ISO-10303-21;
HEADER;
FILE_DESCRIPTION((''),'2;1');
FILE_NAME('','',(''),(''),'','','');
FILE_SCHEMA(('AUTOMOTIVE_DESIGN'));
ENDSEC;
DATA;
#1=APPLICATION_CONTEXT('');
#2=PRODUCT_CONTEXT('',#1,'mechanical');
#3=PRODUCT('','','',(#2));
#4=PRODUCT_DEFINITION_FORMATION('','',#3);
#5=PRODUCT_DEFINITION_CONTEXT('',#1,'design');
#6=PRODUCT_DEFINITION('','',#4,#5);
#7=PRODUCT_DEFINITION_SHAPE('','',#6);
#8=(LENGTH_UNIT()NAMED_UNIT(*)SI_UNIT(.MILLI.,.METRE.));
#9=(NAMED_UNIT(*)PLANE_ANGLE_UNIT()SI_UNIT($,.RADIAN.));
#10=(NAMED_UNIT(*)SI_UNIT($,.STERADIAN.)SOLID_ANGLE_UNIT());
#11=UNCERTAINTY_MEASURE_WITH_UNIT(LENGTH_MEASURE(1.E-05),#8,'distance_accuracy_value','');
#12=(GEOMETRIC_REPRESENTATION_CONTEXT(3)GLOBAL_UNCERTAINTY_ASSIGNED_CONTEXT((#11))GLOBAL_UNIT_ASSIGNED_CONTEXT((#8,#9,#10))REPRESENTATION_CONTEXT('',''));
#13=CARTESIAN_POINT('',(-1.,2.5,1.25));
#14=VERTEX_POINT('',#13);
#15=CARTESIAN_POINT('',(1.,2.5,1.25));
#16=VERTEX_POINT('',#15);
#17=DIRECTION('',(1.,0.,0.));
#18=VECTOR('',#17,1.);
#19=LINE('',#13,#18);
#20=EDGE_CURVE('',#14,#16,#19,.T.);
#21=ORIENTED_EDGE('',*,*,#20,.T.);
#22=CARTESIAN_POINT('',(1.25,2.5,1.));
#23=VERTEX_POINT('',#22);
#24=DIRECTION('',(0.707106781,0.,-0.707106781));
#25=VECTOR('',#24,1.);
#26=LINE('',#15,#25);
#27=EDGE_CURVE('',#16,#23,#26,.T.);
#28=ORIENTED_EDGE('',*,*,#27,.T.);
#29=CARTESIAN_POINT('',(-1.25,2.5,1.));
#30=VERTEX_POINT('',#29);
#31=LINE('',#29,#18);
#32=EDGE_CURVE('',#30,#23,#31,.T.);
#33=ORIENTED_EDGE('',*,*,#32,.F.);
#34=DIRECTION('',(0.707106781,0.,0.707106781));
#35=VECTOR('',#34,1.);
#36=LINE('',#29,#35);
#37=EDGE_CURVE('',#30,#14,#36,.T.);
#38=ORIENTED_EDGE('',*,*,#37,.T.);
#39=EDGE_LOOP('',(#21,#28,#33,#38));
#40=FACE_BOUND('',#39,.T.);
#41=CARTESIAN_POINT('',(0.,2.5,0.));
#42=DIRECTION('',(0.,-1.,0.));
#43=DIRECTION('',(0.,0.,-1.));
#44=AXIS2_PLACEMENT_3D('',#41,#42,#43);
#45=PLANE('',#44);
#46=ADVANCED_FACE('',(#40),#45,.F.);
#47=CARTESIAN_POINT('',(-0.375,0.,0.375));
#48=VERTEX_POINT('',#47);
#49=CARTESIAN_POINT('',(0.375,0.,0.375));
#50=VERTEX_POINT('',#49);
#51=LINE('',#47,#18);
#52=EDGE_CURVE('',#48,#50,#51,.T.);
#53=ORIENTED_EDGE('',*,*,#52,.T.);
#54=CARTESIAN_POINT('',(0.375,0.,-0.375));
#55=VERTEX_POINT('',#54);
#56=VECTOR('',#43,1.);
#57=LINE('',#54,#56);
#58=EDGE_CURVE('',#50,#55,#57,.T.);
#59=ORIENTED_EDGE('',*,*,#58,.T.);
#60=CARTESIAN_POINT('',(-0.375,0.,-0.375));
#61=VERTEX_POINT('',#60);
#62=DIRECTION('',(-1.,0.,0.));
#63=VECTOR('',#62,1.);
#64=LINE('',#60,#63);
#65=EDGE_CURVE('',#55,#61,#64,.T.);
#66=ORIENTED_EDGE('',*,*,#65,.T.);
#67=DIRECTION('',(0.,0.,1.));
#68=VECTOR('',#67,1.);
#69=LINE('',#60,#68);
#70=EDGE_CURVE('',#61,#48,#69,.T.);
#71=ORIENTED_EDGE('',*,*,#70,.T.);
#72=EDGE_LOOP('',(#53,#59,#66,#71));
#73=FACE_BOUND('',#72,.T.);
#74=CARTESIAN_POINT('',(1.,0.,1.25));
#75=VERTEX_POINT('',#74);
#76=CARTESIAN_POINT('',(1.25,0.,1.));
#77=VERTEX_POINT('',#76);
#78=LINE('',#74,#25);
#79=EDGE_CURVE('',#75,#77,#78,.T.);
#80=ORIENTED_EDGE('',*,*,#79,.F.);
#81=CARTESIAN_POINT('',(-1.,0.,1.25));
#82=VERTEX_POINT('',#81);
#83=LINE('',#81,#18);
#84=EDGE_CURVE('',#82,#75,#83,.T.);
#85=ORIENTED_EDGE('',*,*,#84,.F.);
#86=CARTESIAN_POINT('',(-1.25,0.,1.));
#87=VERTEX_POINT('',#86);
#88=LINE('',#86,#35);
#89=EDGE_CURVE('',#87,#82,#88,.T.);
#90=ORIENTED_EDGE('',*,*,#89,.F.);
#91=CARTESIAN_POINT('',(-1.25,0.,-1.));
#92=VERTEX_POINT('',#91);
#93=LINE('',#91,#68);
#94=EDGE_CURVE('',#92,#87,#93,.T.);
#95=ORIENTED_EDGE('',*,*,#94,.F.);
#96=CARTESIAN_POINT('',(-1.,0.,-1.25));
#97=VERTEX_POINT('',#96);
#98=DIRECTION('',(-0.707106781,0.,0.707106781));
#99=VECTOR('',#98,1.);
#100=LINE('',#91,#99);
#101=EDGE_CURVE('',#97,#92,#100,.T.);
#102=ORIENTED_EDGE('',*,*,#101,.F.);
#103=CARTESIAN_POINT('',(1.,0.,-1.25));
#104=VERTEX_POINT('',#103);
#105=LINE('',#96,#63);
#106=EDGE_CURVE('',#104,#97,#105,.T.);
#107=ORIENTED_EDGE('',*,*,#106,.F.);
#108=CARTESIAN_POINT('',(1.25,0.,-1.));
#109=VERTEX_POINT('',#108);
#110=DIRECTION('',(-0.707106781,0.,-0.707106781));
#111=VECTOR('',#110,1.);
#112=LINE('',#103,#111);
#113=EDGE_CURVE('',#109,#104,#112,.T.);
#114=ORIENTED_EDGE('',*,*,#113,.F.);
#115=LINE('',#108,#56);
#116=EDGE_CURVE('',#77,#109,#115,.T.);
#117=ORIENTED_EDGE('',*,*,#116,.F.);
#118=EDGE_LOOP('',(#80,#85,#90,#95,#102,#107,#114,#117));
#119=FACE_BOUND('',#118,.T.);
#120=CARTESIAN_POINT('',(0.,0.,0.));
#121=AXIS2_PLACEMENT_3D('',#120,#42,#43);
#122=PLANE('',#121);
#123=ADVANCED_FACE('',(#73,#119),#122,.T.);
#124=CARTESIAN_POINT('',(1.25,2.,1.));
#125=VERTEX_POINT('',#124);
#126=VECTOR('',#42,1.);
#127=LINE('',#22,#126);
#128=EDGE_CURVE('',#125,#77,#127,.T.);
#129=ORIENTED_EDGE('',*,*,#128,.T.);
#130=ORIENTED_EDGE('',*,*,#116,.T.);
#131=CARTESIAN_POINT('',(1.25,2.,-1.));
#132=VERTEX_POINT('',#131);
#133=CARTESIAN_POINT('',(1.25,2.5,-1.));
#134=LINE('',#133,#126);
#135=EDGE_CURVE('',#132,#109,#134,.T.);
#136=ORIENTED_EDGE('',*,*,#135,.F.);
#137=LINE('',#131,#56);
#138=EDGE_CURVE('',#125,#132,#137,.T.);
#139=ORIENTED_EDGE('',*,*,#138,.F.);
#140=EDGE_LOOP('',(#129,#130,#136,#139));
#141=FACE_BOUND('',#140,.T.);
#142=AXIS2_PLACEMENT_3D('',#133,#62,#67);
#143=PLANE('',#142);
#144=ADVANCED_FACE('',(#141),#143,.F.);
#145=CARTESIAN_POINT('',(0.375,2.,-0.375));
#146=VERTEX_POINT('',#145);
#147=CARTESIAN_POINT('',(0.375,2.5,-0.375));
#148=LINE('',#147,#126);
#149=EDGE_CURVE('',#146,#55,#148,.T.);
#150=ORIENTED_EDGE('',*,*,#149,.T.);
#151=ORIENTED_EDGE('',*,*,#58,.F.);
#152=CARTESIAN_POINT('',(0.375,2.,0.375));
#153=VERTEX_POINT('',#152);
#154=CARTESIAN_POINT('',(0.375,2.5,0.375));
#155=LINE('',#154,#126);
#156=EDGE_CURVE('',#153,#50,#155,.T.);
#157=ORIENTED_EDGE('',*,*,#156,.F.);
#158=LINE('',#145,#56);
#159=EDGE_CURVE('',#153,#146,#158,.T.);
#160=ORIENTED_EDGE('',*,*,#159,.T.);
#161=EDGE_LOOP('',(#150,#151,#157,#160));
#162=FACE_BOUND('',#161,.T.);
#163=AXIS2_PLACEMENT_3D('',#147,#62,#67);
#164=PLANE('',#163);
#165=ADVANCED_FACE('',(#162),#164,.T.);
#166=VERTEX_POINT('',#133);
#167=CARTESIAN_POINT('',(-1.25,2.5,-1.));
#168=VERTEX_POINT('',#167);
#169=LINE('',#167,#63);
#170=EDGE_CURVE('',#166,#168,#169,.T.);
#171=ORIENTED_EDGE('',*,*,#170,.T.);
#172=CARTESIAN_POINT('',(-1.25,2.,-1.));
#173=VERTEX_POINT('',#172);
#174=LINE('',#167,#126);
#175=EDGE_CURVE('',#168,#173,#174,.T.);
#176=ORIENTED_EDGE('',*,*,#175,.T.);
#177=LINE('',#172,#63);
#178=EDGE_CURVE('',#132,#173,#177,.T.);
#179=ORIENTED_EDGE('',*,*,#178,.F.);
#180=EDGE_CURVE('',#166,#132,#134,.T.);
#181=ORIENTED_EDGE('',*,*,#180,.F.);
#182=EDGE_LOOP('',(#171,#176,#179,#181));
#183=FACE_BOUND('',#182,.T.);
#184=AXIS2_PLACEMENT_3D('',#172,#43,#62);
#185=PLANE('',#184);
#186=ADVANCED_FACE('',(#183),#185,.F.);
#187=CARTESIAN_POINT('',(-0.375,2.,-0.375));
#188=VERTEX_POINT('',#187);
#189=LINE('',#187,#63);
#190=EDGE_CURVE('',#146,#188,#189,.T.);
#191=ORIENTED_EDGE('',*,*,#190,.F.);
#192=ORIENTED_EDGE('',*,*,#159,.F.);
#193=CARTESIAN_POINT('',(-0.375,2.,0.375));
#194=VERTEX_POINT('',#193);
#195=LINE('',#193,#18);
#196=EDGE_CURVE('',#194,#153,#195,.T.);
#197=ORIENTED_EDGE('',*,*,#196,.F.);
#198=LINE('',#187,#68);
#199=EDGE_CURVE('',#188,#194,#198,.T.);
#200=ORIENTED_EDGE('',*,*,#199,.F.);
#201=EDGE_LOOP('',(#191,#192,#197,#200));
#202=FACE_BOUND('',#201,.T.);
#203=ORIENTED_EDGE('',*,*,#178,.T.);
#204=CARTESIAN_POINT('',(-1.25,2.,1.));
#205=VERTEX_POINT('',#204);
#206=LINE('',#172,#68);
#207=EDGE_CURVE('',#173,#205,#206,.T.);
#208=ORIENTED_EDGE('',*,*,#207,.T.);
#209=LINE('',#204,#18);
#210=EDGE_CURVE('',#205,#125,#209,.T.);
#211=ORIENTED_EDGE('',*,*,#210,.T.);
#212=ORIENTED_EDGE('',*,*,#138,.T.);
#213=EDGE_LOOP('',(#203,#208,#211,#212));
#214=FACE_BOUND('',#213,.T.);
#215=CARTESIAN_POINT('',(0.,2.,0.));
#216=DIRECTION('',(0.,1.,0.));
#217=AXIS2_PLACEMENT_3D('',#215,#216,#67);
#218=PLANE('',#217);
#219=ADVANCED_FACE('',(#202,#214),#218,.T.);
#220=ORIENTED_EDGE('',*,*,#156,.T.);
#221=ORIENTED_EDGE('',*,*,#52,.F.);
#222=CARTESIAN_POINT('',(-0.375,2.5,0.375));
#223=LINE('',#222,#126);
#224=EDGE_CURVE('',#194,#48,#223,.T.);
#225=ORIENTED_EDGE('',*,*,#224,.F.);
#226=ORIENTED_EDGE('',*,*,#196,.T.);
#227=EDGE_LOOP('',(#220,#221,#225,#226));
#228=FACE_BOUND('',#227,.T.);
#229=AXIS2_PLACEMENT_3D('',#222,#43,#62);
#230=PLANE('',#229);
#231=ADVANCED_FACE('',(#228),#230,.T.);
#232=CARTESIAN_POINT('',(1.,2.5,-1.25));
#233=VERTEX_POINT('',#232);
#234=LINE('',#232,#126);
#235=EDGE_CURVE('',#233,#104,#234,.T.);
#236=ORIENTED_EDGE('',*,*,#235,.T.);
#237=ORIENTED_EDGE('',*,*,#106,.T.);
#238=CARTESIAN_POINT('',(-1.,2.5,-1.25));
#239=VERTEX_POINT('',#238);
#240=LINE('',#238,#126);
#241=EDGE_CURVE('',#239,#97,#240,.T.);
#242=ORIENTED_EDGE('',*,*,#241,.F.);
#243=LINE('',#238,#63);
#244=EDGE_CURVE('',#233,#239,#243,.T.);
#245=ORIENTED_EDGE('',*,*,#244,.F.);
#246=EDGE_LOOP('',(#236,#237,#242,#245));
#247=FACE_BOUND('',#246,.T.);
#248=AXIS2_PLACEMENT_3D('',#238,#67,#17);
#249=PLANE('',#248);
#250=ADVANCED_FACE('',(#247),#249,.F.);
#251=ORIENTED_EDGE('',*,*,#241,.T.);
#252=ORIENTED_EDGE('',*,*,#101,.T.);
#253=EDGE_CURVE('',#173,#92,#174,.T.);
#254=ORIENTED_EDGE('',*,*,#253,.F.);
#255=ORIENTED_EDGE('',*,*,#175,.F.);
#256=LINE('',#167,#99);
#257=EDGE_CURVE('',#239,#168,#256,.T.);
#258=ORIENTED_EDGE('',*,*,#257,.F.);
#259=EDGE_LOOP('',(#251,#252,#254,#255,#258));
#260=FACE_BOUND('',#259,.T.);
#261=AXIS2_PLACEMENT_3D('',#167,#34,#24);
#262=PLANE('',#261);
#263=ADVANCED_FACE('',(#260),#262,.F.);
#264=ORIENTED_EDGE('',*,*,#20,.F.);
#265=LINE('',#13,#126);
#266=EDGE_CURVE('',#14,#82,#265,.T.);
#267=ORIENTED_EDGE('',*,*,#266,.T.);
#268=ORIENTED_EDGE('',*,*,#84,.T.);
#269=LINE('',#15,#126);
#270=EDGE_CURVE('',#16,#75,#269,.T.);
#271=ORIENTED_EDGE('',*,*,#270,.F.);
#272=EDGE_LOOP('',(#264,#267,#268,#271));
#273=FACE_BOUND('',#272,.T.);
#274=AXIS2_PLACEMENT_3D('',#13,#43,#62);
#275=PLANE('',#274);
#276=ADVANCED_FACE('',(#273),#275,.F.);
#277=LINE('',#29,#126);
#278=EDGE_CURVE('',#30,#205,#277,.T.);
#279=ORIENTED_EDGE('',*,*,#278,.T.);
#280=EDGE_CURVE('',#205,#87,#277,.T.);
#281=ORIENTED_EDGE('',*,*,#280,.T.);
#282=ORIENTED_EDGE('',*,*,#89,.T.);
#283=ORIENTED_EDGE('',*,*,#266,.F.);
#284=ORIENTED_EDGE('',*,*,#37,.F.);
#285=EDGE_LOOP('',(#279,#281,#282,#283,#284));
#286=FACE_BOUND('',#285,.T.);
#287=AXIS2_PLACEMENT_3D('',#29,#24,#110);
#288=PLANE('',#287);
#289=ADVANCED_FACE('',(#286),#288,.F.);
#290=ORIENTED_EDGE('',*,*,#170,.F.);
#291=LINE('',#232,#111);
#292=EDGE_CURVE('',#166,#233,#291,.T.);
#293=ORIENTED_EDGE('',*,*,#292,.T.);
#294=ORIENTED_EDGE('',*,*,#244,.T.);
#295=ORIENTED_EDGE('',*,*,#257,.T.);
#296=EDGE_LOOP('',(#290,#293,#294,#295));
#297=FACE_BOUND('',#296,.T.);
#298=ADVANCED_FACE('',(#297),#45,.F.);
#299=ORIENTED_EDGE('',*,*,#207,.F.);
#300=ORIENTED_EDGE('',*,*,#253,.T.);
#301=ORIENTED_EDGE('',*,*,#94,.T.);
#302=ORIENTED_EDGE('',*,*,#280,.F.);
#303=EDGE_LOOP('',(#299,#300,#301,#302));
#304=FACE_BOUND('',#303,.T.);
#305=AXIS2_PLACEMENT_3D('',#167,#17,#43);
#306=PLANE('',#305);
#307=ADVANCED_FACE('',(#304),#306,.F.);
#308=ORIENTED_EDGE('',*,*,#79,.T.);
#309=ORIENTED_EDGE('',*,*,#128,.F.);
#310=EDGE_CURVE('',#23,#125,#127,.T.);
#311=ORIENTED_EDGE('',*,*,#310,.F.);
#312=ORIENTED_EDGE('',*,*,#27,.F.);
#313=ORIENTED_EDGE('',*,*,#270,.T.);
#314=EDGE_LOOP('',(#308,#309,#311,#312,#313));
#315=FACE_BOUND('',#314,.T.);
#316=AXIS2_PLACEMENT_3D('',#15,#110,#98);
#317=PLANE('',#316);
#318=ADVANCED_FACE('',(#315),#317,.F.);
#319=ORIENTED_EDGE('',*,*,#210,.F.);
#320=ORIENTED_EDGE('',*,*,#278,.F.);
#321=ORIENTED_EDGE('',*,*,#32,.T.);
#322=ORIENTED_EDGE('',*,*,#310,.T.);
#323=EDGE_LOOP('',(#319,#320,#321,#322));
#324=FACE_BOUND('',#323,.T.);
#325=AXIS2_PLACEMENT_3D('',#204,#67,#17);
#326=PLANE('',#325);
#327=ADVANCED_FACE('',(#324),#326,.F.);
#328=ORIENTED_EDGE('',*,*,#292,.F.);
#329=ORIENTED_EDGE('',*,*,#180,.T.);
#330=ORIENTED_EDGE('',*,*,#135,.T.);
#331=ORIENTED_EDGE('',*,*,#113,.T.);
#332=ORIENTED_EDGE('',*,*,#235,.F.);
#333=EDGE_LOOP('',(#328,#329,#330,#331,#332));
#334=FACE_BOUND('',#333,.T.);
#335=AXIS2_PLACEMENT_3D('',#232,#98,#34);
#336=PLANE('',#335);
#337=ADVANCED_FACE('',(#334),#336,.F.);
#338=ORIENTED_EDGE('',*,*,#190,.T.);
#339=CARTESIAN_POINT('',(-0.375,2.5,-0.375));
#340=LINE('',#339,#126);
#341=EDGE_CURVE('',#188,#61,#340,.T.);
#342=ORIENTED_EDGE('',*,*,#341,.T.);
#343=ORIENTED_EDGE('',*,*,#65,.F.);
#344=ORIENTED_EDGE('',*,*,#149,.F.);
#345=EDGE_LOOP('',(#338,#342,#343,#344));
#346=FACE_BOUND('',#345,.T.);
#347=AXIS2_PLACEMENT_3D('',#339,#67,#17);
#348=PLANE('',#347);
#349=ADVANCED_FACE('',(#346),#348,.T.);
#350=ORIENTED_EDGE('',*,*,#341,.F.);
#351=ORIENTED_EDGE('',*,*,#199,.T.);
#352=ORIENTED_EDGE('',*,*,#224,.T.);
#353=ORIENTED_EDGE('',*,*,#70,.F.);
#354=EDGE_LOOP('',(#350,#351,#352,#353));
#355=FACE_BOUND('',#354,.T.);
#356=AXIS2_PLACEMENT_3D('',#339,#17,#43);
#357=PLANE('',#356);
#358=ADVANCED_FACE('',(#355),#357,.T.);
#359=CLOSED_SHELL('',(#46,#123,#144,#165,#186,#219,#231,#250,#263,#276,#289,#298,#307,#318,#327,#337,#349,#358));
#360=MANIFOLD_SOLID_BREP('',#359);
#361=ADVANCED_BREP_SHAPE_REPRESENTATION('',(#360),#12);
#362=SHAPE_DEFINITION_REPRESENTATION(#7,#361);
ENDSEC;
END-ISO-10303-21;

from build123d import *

# Parameters (mm, degrees)
SKETCH1_W           = 0.75
SKETCH1_H           = 0.75
BOSS_EXTRUDE1_DEPTH = 2.5
SKETCH2_W           = 2.5
SKETCH2_H           = 2
CUT_EXTRUDE1_DEPTH  = 0.5


with BuildPart() as part:
    # Sketch1 → Boss-Extrude1 (new body)
    with BuildSketch(Plane(origin=(0, 0, 0), x_dir=(1, 0, 0), z_dir=(0, 1, 0))):
        Polygon((-1.25, 1), (-1, 1.25), (1, 1.25), (1.25, 1), (1.25, -1), (1, -1.25), (-1, -1.25), (-1.25, -1), align=None)
        Rectangle(SKETCH1_W, SKETCH1_H, mode=Mode.SUBTRACT)
    extrude(amount=BOSS_EXTRUDE1_DEPTH)

    # Sketch2 → Cut-Extrude1 (cut)
    with BuildSketch(Plane(origin=(0, 2.5, 0), x_dir=(1, 0, 0), z_dir=(0, 1, 0))):
        Rectangle(SKETCH2_W, SKETCH2_H)
    extrude(amount=-CUT_EXTRUDE1_DEPTH, mode=Mode.SUBTRACT)


solid = part.part
